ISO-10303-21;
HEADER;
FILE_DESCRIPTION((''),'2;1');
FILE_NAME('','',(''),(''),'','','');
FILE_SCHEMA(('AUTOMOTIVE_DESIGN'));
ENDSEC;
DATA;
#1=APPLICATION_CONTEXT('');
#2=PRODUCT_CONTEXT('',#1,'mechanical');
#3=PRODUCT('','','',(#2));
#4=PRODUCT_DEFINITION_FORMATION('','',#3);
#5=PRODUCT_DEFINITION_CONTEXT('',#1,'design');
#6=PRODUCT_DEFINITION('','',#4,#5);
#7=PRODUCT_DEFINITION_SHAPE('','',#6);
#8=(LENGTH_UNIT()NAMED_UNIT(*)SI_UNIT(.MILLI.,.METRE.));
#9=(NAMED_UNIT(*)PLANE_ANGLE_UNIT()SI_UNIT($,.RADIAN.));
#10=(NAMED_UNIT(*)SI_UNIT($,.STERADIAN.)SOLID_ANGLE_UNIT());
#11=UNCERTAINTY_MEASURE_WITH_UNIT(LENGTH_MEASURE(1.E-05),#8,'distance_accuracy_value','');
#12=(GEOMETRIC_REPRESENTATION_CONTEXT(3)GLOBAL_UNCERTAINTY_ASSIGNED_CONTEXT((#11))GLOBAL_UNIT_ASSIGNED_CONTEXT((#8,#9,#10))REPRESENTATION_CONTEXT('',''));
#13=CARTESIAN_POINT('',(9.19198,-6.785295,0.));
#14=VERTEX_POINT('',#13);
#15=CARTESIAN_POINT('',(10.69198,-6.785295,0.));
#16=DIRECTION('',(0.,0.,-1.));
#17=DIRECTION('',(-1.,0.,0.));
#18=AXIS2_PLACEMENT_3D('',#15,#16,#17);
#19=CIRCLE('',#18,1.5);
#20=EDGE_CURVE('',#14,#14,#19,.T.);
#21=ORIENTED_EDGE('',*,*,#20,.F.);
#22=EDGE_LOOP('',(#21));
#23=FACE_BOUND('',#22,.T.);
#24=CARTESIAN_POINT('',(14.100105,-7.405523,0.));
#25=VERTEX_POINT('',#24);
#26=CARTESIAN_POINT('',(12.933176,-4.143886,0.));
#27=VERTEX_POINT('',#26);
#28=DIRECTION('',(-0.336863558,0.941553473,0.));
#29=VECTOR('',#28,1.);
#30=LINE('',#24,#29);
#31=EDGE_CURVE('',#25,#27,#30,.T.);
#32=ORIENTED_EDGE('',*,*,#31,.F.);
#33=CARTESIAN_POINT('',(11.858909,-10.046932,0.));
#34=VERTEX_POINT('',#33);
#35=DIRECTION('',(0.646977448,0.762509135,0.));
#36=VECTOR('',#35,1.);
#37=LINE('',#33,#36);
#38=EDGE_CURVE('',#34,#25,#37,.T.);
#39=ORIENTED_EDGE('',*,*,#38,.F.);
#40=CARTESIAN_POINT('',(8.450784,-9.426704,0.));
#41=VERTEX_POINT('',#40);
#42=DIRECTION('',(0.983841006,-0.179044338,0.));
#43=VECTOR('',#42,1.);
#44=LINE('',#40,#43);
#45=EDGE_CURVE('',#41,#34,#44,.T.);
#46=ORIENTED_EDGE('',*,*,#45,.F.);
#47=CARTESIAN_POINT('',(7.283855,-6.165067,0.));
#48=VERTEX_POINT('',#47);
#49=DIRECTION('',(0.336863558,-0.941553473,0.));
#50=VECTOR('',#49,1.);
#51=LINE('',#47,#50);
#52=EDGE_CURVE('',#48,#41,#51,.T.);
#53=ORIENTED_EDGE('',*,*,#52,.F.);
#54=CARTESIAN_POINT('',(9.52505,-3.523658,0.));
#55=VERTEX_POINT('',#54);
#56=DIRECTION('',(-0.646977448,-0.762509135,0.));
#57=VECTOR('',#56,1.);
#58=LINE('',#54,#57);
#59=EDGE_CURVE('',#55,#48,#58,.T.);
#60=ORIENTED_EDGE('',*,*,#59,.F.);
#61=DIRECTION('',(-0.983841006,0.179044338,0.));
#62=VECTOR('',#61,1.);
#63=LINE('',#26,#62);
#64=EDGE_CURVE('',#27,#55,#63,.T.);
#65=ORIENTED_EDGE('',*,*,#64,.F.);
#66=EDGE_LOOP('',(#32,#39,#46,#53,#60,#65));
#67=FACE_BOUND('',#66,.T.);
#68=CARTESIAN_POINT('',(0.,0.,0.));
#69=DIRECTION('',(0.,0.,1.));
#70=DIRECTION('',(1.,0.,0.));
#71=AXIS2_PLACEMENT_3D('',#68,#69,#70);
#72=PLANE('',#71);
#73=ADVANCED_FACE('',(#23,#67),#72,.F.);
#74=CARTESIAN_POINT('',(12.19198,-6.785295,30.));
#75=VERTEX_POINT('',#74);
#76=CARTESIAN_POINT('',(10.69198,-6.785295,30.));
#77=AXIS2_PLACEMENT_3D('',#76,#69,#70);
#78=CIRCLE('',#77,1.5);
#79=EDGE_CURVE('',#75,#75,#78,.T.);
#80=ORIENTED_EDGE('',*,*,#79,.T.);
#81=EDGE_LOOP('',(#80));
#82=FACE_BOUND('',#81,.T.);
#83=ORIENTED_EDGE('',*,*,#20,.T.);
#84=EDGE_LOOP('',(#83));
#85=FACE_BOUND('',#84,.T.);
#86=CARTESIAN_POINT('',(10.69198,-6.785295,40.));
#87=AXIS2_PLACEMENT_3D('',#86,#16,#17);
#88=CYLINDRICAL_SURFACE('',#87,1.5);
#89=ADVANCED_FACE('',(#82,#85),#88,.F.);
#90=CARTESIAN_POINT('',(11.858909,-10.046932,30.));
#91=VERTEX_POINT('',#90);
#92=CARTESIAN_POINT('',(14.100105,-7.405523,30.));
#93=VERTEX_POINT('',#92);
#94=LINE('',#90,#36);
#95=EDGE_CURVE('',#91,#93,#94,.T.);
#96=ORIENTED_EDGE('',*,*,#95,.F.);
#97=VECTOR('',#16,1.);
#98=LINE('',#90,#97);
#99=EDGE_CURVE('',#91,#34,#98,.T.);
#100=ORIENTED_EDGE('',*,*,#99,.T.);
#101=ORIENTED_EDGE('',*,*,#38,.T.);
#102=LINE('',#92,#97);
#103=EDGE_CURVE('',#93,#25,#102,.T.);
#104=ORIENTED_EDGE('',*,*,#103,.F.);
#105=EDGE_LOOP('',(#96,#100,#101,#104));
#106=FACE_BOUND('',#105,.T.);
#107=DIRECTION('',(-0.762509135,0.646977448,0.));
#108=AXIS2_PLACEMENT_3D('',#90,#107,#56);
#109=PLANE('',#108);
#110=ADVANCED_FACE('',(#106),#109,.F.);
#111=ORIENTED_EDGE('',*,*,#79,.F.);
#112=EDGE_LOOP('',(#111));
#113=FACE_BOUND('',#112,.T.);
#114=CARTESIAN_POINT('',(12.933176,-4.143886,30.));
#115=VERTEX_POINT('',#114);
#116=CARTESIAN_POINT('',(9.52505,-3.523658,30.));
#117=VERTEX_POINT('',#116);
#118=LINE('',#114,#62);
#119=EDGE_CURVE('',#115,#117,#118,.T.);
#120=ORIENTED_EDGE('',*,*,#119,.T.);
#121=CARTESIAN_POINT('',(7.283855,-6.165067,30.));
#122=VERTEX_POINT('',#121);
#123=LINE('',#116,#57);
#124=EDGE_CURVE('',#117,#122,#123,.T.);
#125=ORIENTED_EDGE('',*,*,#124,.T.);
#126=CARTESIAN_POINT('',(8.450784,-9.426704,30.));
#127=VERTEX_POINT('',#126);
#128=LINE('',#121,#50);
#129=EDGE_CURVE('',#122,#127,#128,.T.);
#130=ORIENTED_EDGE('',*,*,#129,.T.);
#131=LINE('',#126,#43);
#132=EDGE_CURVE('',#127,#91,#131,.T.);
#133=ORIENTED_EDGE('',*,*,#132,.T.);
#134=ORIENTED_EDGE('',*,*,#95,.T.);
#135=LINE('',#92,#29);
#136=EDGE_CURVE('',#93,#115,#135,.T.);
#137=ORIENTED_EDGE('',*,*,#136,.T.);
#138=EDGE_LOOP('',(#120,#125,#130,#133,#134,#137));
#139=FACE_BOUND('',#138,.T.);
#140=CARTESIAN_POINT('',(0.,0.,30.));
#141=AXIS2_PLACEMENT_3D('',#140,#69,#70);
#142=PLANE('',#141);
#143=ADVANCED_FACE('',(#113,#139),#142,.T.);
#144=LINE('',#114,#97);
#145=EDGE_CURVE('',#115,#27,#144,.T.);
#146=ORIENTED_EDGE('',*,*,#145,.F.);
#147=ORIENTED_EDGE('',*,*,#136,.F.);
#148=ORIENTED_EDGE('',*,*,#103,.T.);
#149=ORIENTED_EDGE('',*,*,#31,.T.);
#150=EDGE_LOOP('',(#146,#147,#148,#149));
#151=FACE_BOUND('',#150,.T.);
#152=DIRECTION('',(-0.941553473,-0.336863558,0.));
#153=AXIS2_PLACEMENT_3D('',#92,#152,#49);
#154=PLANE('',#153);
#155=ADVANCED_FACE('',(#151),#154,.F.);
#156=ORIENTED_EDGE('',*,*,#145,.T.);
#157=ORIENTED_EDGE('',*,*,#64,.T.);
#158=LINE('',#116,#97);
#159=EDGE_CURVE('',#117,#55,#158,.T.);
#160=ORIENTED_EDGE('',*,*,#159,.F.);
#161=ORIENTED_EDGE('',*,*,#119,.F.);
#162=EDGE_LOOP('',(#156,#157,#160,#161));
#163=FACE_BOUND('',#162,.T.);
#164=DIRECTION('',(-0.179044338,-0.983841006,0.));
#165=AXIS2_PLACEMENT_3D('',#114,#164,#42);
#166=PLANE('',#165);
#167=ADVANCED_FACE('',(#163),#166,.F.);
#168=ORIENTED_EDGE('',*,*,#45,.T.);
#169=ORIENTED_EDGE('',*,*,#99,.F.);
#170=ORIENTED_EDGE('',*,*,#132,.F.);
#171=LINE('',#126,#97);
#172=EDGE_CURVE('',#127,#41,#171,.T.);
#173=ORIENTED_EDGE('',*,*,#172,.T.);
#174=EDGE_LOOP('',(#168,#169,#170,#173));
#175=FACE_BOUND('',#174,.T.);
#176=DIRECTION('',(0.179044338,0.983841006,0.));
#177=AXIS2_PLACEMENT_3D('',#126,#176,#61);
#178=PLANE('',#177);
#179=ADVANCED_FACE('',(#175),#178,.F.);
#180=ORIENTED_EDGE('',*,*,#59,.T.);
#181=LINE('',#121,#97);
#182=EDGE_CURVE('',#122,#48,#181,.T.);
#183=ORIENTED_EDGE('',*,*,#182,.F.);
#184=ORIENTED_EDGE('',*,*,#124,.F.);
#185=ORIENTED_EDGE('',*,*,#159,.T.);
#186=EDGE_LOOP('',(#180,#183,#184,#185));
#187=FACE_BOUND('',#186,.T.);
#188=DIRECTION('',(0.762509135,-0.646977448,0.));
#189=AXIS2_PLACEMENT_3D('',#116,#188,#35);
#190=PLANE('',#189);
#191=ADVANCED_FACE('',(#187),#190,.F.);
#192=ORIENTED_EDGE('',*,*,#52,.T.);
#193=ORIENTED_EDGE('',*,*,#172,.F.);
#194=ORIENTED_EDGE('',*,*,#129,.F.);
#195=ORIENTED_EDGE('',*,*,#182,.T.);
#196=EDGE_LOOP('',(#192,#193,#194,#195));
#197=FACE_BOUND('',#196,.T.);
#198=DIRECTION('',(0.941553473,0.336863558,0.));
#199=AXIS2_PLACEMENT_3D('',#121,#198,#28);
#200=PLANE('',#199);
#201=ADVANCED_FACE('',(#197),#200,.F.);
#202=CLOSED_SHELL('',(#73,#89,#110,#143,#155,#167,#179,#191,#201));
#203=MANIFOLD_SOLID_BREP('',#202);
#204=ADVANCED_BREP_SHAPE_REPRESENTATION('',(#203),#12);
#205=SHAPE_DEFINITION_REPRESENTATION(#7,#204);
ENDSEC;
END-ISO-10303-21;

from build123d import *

# Parameters (mm, degrees)
RESSALTO_EXTRUS_O1_DEPTH = 30
ESBO_O4_R                = 1.5
CORTE_EXTRUS_O2_DEPTH    = 40


with BuildPart() as part:
    # Esboço1 → Ressalto-extrusão1 (new body)
    with BuildSketch(Plane.XY):
        Polygon((12.933175524, -4.143885809), (9.525050306, -3.523658029), (7.283854683, -6.165067156), (8.450784277, -9.426704064), (11.858909495, -10.046931845), (14.100105118, -7.405522718), align=None)
    extrude(amount=RESSALTO_EXTRUS_O1_DEPTH)

    # Esboço4 → Corte-extrusão2 (cut)
    with BuildSketch(Plane(origin=(0, 0, 0), x_dir=(-1, 0, 0), z_dir=(0, 0, -1))):
        with Locations((-10.691979901, -6.785294937)):
            Circle(ESBO_O4_R)
    extrude(amount=-CORTE_EXTRUS_O2_DEPTH, mode=Mode.SUBTRACT)


solid = part.part
